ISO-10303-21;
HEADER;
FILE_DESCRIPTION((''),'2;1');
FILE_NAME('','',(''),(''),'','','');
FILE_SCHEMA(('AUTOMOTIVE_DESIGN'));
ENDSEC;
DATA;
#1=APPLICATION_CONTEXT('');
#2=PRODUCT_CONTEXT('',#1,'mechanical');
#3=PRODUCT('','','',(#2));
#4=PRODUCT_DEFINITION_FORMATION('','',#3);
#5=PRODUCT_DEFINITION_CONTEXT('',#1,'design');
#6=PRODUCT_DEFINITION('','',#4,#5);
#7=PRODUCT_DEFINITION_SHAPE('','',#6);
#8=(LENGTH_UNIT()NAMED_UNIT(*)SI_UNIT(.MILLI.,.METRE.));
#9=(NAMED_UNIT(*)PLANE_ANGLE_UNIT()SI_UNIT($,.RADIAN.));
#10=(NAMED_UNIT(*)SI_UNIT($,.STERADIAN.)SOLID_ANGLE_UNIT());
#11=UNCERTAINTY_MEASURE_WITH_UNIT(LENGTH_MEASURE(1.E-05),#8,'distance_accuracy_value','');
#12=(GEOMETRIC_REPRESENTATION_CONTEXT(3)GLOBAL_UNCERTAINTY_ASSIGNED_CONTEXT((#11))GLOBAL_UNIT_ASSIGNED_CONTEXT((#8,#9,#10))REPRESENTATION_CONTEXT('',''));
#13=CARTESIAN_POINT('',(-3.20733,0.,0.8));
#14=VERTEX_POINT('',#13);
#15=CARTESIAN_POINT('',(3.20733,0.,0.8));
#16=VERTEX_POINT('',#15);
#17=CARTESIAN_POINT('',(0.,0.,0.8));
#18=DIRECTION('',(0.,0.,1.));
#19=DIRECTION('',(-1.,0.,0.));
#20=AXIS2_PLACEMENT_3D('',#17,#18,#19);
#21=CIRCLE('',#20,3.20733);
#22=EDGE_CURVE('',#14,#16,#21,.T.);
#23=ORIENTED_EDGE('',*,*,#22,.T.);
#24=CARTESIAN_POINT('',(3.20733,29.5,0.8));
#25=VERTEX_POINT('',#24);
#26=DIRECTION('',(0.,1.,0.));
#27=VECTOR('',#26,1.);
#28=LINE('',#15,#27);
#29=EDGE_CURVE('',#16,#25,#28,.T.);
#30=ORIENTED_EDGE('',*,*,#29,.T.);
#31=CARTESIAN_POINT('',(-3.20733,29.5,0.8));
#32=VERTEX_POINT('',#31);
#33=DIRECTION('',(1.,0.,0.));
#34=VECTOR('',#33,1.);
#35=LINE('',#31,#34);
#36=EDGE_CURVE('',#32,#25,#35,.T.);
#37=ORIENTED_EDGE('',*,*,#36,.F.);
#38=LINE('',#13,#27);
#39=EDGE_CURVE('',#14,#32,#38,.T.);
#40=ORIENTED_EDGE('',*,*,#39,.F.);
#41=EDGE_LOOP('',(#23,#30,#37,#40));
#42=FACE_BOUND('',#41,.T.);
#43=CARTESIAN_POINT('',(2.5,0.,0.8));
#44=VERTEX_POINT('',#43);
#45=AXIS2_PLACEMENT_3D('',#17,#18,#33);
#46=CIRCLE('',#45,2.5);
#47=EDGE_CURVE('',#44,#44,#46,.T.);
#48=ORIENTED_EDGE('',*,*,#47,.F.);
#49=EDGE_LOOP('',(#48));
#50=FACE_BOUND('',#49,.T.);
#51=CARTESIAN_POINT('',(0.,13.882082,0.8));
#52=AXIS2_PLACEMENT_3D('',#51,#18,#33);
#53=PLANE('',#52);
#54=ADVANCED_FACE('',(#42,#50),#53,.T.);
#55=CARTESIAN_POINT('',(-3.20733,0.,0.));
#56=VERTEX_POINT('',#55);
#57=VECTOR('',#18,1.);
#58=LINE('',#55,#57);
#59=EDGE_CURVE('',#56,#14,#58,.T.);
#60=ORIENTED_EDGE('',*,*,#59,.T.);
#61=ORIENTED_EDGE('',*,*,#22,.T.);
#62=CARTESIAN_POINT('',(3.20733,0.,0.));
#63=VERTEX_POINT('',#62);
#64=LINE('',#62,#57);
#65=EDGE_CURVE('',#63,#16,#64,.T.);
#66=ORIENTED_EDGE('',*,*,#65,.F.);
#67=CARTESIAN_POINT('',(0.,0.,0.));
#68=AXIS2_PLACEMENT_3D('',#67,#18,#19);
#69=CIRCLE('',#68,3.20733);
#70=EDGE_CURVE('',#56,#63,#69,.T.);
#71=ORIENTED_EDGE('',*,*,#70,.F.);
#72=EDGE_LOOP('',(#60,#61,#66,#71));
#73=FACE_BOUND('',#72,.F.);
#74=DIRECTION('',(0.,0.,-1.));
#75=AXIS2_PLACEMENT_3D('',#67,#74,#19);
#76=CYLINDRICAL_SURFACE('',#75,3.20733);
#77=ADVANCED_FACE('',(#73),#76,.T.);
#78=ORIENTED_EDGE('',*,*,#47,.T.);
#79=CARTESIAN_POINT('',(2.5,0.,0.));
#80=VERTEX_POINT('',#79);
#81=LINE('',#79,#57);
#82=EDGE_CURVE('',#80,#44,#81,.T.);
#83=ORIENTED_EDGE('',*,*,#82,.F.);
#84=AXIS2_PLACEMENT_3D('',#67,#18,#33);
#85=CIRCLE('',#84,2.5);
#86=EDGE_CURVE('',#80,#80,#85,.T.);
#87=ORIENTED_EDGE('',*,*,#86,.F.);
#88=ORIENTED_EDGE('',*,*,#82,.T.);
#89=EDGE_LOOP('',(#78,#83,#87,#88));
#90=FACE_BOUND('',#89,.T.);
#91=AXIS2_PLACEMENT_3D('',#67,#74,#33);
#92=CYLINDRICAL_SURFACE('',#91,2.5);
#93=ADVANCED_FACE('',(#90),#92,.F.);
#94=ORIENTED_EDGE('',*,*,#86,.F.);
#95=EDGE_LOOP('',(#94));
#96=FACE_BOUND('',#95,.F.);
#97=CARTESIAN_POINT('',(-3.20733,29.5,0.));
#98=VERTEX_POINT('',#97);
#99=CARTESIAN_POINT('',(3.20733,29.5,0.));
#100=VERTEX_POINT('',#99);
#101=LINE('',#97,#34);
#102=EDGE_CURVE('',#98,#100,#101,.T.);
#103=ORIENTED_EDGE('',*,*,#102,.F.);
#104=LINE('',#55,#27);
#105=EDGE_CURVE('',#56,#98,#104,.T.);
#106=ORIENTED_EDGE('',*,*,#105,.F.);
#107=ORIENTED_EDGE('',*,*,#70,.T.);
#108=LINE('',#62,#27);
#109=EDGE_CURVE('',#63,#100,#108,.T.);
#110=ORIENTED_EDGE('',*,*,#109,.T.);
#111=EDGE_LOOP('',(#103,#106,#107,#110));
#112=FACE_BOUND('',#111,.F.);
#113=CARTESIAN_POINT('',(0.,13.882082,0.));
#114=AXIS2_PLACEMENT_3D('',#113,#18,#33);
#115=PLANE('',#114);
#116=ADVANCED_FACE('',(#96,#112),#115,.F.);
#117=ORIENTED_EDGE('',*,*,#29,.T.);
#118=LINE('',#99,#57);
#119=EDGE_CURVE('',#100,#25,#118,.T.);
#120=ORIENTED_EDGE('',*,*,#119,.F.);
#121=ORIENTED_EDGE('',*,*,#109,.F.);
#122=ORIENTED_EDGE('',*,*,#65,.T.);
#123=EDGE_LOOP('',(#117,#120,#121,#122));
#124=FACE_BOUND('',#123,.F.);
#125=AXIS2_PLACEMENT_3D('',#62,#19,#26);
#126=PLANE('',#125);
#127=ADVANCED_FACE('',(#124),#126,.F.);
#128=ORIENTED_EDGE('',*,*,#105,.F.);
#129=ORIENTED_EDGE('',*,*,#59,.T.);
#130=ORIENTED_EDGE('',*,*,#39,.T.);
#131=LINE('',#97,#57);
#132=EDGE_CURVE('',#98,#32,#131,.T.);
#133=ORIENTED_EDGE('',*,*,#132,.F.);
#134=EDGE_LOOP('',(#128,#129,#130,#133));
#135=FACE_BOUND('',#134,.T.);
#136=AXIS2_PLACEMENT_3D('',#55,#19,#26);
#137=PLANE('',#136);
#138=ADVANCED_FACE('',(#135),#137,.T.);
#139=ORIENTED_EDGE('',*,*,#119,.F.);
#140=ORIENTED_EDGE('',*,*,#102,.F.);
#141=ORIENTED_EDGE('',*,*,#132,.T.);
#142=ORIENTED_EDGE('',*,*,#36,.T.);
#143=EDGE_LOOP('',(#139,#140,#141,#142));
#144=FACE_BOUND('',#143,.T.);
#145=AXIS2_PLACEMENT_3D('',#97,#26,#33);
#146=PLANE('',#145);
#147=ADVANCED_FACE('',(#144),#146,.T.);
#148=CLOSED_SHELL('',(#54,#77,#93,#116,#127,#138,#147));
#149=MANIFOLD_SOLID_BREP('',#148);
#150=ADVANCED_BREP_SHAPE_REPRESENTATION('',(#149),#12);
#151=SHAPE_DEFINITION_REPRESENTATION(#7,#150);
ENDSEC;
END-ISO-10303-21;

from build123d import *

# Parameters (mm, degrees)
SKETCH_R  = 2.5
PAD_DEPTH = 0.8


with BuildPart() as part:
    # Sketch → Pad (new body)
    with BuildSketch(Plane.XY):
        with BuildLine():
            ThreePointArc((-3.20733, 0), (0, -3.20733), (3.20733, 0))
            Line((3.20733, 0), (3.20733, 29.5))
            Line((-3.20733, 29.5), (3.20733, 29.5))
            Line((-3.20733, 0), (-3.20733, 29.5))
        make_face()
        Circle(SKETCH_R, mode=Mode.SUBTRACT)
    extrude(amount=PAD_DEPTH)


solid = part.part
